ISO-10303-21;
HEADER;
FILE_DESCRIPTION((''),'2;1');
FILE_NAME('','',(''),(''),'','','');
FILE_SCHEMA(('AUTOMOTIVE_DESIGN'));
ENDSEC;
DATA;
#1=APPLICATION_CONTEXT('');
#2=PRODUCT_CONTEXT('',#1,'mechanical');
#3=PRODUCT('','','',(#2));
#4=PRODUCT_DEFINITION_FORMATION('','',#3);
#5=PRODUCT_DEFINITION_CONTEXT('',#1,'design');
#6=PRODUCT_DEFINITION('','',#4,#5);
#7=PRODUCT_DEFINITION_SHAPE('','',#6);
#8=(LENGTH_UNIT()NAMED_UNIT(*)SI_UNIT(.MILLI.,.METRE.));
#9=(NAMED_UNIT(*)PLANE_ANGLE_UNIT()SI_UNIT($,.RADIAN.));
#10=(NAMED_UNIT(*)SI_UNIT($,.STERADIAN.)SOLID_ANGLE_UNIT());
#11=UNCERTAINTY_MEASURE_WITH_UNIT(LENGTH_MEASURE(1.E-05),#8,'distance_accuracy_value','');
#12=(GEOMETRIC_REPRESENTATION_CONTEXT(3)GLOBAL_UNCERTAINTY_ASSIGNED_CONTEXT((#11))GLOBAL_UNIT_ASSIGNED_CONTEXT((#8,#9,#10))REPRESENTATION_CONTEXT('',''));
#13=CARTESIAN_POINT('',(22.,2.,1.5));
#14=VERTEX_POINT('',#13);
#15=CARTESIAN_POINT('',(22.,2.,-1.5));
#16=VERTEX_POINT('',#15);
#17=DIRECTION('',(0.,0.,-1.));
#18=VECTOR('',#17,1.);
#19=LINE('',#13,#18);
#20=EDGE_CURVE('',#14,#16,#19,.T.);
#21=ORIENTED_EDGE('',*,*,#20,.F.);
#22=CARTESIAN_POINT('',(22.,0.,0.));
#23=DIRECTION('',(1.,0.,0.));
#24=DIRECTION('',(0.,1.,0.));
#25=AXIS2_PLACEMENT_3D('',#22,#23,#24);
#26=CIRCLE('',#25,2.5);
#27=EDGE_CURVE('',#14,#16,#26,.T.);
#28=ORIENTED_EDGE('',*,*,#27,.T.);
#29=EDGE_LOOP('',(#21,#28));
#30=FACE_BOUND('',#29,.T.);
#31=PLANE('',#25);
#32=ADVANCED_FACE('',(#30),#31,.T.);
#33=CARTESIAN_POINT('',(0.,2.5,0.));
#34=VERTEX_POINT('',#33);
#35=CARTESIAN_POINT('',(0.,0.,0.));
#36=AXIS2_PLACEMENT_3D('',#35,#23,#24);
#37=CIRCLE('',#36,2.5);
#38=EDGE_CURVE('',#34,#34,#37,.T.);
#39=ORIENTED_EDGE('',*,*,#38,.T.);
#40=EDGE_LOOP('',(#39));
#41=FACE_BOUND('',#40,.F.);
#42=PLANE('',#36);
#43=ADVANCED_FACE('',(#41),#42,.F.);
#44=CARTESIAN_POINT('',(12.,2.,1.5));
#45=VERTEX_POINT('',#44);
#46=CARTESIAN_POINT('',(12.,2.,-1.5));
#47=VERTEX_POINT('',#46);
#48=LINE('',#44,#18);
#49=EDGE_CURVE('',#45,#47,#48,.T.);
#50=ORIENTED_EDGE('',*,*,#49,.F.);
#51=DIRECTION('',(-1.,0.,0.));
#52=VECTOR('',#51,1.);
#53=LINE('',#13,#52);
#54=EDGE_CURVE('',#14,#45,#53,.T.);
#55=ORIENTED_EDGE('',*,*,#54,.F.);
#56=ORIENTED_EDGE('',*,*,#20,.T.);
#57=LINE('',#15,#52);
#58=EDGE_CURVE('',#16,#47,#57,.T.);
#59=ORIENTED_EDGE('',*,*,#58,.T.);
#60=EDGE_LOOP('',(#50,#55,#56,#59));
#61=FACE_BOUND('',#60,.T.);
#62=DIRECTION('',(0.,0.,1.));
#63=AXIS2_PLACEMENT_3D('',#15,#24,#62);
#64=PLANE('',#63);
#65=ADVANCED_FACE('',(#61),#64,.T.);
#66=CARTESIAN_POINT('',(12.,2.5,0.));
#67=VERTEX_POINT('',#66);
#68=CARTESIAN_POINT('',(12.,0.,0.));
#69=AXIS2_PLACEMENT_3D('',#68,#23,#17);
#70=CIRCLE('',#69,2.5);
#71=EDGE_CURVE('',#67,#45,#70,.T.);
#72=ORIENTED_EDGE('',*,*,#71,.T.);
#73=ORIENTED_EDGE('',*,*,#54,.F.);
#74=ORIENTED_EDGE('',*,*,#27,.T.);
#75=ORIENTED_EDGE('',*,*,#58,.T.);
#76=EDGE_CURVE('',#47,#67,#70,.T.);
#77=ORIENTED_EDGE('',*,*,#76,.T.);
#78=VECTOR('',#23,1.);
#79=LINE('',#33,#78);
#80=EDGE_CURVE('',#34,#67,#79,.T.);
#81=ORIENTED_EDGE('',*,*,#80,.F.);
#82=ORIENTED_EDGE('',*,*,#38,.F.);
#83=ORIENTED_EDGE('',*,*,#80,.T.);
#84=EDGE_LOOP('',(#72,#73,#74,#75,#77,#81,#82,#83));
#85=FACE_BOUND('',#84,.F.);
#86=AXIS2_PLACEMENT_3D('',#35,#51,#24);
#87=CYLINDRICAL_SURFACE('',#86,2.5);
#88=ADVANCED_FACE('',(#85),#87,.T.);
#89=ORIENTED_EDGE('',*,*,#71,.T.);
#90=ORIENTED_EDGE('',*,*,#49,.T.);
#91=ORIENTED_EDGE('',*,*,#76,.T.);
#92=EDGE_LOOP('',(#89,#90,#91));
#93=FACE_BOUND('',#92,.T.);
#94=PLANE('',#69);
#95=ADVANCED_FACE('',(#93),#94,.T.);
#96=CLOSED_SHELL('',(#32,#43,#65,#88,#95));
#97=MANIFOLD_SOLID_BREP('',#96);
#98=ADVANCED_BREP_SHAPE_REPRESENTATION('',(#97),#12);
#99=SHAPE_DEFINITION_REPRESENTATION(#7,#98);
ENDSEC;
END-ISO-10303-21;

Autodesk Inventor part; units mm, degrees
ref_plane "YZ Plane" through (0, 0, 0) normal (1, 0, 0) x (0, 1, 0)
ref_plane "XZ Plane" through (0, 0, 0) normal (0, 1, 0) x (-1, 0, 0)
ref_plane "XY Plane" through (0, 0, 0) normal (0, 0, 1) x (1, 0, 0)
sketch "Sketch1" plane through (0, 0, 0) normal (1, 0, 0) x (0, 1, 0)
  circle A0 centre (0, 0) radius 2.5
  dimension "d0" = 5
extrude "Extrusion1" add sketch "Sketch1" along normal blind 22
sketch "Sketch2" plane through (22, 0, 0) normal (1, 0, 0) x (0, 0, -1)
  circle A0 centre (0, 0) radius 2.5 projected
  line L0 (0, -2.5) -> (0, 2)
  line L1 (0, 2) -> (-1.5, 2)
  line L2 (1.5, 2) -> (0, 2)
  dimension "d3" = 4.5
extrude "Extrusion2" cut sketch "Sketch2" against normal blind 10 contours L2 L1 A0
properties part number "motor-shaft" material "Iron, Cast"
